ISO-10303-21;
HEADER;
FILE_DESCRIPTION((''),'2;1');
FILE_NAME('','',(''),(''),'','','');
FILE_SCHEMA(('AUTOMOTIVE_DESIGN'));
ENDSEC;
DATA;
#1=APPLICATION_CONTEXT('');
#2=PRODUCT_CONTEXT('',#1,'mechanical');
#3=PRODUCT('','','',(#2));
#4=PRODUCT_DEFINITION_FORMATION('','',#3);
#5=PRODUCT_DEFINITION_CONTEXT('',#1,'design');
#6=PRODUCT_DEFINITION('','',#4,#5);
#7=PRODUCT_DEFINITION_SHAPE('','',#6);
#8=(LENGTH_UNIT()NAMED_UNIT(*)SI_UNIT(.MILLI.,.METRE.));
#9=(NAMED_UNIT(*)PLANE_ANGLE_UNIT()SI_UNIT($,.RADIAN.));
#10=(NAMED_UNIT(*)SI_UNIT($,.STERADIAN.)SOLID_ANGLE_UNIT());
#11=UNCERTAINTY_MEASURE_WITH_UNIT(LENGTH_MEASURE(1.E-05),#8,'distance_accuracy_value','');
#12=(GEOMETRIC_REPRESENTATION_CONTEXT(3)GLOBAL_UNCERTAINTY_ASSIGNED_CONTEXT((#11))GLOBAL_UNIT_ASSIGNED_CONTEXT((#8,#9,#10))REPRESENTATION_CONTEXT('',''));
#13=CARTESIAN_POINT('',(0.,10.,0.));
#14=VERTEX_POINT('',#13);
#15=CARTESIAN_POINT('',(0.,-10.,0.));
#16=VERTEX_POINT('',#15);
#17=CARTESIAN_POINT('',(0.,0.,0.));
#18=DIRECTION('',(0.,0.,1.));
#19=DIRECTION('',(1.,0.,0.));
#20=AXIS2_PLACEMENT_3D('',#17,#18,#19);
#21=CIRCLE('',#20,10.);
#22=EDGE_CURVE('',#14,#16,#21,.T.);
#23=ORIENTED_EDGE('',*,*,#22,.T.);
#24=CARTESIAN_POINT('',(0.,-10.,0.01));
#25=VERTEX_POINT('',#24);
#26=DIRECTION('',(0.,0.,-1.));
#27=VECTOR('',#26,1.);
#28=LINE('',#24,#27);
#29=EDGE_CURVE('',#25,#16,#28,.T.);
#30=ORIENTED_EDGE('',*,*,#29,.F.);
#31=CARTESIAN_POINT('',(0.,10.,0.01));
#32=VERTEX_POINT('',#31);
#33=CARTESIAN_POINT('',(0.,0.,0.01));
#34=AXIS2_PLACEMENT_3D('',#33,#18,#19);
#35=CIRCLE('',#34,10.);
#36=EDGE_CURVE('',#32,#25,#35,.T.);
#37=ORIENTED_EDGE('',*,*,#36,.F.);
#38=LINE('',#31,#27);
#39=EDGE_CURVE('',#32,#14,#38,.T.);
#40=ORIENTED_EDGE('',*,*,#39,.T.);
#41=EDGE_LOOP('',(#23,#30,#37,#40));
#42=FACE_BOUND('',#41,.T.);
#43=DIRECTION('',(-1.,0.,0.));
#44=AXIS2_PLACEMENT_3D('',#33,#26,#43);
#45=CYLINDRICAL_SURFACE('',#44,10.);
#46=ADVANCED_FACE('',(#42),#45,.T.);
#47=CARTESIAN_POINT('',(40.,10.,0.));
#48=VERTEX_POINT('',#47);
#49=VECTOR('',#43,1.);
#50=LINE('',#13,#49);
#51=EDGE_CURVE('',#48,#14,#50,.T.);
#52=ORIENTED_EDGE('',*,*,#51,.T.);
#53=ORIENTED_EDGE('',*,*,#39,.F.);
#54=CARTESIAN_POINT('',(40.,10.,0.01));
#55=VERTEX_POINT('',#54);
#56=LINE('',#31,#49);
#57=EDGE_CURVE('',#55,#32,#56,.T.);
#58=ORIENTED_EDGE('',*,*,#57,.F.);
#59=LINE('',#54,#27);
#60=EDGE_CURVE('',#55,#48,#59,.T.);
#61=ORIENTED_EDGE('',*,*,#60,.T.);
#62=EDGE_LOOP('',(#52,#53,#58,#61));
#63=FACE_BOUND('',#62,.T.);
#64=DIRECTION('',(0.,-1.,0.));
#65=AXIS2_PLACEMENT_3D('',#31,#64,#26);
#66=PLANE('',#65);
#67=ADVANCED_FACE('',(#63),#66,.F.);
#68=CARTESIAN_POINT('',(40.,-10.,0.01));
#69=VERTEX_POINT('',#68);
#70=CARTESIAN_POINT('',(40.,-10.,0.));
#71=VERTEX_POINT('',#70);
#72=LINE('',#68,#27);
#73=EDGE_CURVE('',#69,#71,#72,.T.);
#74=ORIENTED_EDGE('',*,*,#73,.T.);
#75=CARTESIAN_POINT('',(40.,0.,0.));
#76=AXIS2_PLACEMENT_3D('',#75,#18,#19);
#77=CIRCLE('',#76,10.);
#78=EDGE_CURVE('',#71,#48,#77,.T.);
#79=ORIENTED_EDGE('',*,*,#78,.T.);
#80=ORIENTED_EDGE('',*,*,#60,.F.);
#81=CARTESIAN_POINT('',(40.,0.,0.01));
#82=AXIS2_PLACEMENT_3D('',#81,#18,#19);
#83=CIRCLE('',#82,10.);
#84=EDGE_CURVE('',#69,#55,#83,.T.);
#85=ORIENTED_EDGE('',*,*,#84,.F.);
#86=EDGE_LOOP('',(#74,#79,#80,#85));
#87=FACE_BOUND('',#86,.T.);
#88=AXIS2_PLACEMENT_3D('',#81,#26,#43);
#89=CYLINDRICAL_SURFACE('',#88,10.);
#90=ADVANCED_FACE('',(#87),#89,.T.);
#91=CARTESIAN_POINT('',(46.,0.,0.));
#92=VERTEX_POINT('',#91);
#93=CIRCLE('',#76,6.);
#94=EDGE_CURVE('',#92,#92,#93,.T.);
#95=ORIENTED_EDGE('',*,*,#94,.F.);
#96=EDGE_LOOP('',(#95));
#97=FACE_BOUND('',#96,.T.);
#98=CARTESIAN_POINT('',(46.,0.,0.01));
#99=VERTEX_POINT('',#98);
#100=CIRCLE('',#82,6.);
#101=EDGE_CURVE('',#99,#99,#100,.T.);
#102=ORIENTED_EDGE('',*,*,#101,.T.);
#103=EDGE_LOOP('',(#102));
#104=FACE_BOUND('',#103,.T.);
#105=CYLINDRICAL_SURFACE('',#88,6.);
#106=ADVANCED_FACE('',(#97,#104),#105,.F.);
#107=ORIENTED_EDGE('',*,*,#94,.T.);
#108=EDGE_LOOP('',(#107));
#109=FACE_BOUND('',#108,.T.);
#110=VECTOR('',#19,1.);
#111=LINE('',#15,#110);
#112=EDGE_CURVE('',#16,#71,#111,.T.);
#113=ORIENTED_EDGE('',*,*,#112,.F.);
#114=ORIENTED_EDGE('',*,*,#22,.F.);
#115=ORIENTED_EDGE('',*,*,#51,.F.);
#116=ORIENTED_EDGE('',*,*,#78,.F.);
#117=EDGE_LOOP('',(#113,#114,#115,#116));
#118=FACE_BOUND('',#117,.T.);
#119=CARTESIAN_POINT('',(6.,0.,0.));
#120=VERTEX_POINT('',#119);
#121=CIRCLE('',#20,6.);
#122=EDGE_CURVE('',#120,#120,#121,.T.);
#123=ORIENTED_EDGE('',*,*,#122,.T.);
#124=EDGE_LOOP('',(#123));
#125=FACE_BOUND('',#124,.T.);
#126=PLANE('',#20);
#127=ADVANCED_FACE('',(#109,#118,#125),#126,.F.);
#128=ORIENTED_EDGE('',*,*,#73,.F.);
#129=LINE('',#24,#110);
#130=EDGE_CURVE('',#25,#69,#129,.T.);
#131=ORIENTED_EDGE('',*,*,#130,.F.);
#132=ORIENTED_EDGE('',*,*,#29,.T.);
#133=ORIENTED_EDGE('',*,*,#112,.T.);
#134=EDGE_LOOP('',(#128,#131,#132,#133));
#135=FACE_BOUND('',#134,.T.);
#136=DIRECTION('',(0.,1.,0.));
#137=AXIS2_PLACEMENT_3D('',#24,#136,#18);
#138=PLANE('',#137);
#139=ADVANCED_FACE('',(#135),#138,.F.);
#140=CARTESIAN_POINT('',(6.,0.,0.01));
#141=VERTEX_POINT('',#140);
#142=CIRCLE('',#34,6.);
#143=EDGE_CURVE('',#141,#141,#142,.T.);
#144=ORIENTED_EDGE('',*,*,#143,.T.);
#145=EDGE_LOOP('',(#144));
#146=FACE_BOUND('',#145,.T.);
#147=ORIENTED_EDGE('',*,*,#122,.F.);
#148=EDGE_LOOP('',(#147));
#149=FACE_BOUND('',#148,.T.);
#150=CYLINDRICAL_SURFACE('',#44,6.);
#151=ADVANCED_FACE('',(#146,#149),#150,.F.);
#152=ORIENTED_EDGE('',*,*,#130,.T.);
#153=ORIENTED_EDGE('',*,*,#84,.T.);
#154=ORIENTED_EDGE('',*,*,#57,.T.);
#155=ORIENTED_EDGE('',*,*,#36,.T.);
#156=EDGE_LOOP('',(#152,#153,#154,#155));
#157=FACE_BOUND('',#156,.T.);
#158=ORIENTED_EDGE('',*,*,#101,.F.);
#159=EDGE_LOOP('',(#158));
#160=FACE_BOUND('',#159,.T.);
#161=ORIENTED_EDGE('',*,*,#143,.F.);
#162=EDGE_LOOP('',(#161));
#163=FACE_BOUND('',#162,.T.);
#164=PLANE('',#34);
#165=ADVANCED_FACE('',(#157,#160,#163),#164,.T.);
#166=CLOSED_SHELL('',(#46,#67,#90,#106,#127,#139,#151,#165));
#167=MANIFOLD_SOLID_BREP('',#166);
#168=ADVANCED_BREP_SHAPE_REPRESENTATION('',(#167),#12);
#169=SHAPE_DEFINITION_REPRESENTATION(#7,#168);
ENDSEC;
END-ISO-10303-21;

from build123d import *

# Parameters (mm, degrees)
SZKIC1_R                    = 6
DODANIE_WYCI_GNI_CIE1_DEPTH = 0.01


with BuildPart() as part:
    # Szkic1 → Dodanie-wyciągnięcie1 (new body)
    with BuildSketch(Plane.XY):
        with BuildLine():
            Line((0, 10), (40, 10))
            ThreePointArc((40, 10), (50, 0), (40, -10))
            Line((40, -10), (0, -10))
            ThreePointArc((0, -10), (-10, 0), (0, 10))
        make_face()
        Circle(SZKIC1_R, mode=Mode.SUBTRACT)
        with Locations((40, 0)):
            Circle(SZKIC1_R, mode=Mode.SUBTRACT)
    extrude(amount=DODANIE_WYCI_GNI_CIE1_DEPTH)


solid = part.part
